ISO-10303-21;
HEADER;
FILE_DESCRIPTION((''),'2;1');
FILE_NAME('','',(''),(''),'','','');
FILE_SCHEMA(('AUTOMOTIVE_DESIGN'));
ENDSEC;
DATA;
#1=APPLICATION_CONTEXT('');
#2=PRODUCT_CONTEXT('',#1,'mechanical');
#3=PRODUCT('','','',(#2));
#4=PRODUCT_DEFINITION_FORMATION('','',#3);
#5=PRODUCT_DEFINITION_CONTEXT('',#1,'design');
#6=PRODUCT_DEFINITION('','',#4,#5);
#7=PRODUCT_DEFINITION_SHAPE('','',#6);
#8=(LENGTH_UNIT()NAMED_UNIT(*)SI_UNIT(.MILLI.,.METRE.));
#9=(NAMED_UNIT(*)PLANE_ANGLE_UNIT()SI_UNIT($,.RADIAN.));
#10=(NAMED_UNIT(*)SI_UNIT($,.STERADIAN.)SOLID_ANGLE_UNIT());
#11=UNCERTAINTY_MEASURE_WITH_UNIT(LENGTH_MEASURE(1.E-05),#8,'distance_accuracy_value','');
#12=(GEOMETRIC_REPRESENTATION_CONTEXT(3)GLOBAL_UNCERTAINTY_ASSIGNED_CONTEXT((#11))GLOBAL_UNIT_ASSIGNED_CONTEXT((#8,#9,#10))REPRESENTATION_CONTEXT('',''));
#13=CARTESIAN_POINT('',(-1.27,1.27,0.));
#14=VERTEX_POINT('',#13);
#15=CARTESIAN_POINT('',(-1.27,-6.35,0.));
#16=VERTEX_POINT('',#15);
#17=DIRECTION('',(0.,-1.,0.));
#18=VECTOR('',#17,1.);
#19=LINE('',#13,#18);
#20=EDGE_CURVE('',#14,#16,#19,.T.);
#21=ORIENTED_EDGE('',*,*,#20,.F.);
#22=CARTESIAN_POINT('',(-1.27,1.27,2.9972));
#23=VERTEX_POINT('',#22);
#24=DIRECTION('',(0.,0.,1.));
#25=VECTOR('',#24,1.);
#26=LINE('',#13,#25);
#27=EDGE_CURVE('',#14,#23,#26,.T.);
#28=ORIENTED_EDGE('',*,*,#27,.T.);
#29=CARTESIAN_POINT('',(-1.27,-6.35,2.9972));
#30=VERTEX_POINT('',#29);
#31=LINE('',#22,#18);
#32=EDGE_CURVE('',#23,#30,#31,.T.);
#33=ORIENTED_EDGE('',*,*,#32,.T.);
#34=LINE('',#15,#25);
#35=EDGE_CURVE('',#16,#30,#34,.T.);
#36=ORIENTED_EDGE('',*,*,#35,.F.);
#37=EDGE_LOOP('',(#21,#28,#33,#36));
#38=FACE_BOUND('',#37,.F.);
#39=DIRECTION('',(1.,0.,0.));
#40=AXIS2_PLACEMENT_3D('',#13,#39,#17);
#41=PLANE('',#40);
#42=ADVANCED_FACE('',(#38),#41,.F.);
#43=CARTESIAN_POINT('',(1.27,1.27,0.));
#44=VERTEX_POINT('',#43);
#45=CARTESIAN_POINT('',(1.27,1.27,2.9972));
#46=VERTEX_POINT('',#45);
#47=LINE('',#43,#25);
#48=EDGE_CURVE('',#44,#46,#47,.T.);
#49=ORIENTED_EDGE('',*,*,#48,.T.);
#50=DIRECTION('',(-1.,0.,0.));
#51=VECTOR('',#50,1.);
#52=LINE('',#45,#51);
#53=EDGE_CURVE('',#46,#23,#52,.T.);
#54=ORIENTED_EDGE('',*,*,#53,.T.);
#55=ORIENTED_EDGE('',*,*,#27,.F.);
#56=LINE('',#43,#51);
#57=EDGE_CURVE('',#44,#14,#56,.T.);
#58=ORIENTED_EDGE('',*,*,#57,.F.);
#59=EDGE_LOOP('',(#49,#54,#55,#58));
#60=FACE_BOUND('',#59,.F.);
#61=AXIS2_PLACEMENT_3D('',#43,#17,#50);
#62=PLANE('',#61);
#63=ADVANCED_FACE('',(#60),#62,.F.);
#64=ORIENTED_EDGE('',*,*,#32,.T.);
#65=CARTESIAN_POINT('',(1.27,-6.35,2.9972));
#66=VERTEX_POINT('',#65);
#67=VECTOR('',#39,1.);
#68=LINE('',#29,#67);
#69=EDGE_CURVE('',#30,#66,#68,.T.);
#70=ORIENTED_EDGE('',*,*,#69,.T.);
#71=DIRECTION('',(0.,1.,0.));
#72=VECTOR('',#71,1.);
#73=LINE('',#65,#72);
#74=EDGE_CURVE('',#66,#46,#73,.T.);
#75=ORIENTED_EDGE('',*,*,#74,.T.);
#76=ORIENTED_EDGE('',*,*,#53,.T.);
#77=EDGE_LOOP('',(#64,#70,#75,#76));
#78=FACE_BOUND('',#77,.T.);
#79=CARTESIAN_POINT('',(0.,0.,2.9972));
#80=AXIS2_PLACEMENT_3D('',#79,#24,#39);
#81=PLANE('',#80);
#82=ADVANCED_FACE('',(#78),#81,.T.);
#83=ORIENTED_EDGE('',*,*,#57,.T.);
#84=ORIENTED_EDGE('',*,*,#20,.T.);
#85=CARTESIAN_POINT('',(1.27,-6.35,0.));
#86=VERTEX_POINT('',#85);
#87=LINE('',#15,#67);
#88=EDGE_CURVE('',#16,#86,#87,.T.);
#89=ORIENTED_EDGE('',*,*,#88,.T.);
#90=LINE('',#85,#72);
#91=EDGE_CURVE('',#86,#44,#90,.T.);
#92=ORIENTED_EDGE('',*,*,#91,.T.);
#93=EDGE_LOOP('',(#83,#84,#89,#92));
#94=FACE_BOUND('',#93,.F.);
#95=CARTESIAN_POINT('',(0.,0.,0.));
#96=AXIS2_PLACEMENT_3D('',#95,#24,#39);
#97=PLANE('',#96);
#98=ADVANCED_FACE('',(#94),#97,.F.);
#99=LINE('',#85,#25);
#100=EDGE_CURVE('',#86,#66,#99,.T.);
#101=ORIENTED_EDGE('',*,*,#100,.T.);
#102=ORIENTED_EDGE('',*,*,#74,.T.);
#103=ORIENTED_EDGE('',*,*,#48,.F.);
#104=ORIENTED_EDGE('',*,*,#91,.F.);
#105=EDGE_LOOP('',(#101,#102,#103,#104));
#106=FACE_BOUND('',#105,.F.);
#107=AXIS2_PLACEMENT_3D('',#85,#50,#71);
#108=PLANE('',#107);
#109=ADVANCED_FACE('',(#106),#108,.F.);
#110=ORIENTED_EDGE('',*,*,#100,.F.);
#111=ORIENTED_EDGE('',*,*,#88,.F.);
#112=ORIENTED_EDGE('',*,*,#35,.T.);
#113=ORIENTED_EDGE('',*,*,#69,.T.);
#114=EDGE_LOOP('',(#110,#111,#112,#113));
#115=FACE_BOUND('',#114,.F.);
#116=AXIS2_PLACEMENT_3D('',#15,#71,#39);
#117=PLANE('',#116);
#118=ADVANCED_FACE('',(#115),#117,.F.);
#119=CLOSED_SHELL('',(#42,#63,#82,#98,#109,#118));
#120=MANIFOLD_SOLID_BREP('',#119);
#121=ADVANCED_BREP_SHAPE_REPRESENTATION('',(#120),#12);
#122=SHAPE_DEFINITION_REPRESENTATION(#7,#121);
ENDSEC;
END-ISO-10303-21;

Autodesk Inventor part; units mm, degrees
ref_plane "YZ Plane" through (0, 0, 0) normal (1, 0, 0) x (0, 1, 0)
ref_plane "XZ Plane" through (0, 0, 0) normal (0, 1, 0) x (-1, 0, 0)
ref_plane "XY Plane" through (0, 0, 0) normal (0, 0, 1) x (1, 0, 0)
sketch "3, 3WP_3" plane through (0, 0, 0) normal (0, 0, 1) x (1, 0, 0)
  line L0 (-1.27, 1.27) -> (-1.27, -6.35)
  line L1 (-1.27, -6.35) -> (1.27, -6.35)
  line L2 (1.27, -6.35) -> (1.27, 1.27)
  line L3 (1.27, 1.27) -> (-1.27, 1.27)
extrude "Extrusion1" add sketch "3, 3WP_3" along normal blind 2.9972
properties part number "3WP"
